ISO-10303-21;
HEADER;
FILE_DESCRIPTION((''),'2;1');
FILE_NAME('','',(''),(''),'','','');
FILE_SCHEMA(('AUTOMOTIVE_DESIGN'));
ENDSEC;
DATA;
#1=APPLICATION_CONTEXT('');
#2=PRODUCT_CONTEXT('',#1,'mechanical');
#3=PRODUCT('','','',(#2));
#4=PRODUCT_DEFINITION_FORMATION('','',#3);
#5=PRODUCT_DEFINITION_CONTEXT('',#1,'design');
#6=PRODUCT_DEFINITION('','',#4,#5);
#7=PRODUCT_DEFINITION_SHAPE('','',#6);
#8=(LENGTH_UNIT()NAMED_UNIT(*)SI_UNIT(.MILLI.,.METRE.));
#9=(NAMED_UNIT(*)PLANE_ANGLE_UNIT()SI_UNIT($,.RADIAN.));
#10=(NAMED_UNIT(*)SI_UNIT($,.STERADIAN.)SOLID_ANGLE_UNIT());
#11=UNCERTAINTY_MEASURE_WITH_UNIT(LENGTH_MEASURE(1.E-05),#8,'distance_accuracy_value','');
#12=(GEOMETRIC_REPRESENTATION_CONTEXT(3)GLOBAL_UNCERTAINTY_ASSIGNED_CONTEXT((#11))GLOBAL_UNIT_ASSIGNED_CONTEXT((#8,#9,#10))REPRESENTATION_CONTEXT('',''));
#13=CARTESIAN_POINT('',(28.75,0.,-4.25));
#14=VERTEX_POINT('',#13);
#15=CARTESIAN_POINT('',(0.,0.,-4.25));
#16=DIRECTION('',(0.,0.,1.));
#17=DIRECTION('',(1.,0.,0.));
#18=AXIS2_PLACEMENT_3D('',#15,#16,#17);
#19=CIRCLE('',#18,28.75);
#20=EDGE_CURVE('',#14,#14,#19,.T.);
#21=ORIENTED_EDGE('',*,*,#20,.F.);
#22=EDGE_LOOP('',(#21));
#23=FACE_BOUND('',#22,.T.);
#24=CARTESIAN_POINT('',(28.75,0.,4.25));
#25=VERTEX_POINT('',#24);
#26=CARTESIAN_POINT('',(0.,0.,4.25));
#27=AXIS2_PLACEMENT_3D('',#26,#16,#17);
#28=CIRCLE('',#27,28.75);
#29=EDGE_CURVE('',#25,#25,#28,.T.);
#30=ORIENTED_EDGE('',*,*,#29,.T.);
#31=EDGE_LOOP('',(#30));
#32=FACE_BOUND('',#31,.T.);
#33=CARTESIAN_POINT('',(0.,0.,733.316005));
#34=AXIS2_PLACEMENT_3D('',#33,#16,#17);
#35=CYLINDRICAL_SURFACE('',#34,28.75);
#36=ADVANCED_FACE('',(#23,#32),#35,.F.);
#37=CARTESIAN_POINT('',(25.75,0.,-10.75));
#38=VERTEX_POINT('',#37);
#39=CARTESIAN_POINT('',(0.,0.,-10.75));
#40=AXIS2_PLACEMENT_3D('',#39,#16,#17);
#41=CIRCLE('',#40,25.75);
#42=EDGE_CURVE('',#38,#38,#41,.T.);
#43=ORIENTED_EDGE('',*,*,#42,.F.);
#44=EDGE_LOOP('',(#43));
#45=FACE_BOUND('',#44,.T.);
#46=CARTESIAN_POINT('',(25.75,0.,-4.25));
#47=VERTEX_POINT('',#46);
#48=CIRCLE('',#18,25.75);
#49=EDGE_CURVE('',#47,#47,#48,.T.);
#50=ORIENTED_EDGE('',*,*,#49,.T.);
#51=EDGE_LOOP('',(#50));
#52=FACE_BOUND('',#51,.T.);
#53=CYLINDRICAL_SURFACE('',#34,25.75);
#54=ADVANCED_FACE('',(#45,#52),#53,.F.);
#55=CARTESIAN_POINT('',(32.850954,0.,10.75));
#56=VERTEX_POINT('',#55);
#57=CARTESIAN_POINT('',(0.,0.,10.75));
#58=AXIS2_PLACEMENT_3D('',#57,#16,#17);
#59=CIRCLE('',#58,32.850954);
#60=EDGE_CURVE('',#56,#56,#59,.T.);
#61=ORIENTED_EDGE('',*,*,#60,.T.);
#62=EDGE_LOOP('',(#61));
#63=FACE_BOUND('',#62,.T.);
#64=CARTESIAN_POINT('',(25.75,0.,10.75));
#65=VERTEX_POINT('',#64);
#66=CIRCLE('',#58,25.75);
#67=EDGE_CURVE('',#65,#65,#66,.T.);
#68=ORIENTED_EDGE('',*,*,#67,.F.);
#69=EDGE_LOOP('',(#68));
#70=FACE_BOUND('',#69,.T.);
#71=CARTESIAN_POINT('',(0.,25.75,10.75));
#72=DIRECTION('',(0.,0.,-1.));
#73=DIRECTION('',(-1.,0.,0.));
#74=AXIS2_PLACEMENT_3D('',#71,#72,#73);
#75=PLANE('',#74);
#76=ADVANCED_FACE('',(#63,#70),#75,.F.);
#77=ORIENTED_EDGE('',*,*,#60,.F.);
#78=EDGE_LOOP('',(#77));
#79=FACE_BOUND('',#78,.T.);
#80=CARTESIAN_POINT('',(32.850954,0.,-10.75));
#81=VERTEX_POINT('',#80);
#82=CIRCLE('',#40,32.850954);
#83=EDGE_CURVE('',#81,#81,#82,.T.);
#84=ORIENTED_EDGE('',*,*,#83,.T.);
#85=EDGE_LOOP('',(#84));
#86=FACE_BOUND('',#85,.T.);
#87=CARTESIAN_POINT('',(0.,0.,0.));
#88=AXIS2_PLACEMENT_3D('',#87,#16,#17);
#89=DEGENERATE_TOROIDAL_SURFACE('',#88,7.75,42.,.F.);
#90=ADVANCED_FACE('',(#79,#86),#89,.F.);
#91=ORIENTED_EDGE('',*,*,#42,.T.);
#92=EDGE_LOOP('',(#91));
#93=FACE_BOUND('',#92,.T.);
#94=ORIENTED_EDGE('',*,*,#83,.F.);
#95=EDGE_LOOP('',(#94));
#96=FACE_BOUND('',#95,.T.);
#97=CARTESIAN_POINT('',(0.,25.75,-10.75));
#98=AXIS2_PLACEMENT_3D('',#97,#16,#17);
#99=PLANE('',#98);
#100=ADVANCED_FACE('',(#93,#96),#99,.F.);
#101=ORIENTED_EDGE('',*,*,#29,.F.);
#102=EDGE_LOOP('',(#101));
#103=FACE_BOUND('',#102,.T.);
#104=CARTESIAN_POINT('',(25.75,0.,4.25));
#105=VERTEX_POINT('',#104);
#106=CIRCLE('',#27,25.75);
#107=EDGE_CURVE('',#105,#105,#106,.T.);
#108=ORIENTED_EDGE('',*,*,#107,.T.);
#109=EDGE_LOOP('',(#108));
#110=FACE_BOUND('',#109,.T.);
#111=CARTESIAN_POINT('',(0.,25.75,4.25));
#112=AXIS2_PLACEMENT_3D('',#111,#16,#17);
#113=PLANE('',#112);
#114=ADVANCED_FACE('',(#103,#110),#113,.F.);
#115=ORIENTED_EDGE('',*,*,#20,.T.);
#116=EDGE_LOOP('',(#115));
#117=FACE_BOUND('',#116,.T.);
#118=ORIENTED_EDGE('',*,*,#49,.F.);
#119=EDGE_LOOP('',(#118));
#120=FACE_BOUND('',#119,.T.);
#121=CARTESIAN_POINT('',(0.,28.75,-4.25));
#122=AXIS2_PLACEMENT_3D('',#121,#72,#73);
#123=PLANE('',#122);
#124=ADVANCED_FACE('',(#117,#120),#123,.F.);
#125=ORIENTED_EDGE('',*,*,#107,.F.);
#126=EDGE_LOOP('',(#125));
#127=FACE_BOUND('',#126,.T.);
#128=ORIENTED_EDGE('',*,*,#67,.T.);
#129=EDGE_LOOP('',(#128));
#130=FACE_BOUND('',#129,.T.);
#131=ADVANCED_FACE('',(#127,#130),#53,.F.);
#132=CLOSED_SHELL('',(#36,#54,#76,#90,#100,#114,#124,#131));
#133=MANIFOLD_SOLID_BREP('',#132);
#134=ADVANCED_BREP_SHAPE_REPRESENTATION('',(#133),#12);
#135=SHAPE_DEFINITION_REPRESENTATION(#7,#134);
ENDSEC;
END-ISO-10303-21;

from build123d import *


with BuildPart() as part:
    # Sketch1 → Revolve1 (revolve)
    with BuildSketch(Plane(origin=(0, 0, 0), x_dir=(0, 0, -1), z_dir=(1, 0, 0))):
        with BuildLine():
            Line((-10.75, 25.75), (-4.25, 25.75))
            Line((-4.25, 25.75), (-4.25, 28.75))
            Line((-4.25, 28.75), (4.25, 28.75))
            Line((4.25, 28.75), (4.25, 25.75))
            Line((4.25, 25.75), (10.75, 25.75))
            Line((10.75, 25.75), (10.75, 32.850954422))
            ThreePointArc((10.75, 32.850954422), (0, 34.25), (-10.75, 32.850954422))
            Line((-10.75, 32.850954422), (-10.75, 25.75))
        make_face()
    revolve(axis=Axis((0, 0, 733.316005498), (0, 0, -1)))


solid = part.part
